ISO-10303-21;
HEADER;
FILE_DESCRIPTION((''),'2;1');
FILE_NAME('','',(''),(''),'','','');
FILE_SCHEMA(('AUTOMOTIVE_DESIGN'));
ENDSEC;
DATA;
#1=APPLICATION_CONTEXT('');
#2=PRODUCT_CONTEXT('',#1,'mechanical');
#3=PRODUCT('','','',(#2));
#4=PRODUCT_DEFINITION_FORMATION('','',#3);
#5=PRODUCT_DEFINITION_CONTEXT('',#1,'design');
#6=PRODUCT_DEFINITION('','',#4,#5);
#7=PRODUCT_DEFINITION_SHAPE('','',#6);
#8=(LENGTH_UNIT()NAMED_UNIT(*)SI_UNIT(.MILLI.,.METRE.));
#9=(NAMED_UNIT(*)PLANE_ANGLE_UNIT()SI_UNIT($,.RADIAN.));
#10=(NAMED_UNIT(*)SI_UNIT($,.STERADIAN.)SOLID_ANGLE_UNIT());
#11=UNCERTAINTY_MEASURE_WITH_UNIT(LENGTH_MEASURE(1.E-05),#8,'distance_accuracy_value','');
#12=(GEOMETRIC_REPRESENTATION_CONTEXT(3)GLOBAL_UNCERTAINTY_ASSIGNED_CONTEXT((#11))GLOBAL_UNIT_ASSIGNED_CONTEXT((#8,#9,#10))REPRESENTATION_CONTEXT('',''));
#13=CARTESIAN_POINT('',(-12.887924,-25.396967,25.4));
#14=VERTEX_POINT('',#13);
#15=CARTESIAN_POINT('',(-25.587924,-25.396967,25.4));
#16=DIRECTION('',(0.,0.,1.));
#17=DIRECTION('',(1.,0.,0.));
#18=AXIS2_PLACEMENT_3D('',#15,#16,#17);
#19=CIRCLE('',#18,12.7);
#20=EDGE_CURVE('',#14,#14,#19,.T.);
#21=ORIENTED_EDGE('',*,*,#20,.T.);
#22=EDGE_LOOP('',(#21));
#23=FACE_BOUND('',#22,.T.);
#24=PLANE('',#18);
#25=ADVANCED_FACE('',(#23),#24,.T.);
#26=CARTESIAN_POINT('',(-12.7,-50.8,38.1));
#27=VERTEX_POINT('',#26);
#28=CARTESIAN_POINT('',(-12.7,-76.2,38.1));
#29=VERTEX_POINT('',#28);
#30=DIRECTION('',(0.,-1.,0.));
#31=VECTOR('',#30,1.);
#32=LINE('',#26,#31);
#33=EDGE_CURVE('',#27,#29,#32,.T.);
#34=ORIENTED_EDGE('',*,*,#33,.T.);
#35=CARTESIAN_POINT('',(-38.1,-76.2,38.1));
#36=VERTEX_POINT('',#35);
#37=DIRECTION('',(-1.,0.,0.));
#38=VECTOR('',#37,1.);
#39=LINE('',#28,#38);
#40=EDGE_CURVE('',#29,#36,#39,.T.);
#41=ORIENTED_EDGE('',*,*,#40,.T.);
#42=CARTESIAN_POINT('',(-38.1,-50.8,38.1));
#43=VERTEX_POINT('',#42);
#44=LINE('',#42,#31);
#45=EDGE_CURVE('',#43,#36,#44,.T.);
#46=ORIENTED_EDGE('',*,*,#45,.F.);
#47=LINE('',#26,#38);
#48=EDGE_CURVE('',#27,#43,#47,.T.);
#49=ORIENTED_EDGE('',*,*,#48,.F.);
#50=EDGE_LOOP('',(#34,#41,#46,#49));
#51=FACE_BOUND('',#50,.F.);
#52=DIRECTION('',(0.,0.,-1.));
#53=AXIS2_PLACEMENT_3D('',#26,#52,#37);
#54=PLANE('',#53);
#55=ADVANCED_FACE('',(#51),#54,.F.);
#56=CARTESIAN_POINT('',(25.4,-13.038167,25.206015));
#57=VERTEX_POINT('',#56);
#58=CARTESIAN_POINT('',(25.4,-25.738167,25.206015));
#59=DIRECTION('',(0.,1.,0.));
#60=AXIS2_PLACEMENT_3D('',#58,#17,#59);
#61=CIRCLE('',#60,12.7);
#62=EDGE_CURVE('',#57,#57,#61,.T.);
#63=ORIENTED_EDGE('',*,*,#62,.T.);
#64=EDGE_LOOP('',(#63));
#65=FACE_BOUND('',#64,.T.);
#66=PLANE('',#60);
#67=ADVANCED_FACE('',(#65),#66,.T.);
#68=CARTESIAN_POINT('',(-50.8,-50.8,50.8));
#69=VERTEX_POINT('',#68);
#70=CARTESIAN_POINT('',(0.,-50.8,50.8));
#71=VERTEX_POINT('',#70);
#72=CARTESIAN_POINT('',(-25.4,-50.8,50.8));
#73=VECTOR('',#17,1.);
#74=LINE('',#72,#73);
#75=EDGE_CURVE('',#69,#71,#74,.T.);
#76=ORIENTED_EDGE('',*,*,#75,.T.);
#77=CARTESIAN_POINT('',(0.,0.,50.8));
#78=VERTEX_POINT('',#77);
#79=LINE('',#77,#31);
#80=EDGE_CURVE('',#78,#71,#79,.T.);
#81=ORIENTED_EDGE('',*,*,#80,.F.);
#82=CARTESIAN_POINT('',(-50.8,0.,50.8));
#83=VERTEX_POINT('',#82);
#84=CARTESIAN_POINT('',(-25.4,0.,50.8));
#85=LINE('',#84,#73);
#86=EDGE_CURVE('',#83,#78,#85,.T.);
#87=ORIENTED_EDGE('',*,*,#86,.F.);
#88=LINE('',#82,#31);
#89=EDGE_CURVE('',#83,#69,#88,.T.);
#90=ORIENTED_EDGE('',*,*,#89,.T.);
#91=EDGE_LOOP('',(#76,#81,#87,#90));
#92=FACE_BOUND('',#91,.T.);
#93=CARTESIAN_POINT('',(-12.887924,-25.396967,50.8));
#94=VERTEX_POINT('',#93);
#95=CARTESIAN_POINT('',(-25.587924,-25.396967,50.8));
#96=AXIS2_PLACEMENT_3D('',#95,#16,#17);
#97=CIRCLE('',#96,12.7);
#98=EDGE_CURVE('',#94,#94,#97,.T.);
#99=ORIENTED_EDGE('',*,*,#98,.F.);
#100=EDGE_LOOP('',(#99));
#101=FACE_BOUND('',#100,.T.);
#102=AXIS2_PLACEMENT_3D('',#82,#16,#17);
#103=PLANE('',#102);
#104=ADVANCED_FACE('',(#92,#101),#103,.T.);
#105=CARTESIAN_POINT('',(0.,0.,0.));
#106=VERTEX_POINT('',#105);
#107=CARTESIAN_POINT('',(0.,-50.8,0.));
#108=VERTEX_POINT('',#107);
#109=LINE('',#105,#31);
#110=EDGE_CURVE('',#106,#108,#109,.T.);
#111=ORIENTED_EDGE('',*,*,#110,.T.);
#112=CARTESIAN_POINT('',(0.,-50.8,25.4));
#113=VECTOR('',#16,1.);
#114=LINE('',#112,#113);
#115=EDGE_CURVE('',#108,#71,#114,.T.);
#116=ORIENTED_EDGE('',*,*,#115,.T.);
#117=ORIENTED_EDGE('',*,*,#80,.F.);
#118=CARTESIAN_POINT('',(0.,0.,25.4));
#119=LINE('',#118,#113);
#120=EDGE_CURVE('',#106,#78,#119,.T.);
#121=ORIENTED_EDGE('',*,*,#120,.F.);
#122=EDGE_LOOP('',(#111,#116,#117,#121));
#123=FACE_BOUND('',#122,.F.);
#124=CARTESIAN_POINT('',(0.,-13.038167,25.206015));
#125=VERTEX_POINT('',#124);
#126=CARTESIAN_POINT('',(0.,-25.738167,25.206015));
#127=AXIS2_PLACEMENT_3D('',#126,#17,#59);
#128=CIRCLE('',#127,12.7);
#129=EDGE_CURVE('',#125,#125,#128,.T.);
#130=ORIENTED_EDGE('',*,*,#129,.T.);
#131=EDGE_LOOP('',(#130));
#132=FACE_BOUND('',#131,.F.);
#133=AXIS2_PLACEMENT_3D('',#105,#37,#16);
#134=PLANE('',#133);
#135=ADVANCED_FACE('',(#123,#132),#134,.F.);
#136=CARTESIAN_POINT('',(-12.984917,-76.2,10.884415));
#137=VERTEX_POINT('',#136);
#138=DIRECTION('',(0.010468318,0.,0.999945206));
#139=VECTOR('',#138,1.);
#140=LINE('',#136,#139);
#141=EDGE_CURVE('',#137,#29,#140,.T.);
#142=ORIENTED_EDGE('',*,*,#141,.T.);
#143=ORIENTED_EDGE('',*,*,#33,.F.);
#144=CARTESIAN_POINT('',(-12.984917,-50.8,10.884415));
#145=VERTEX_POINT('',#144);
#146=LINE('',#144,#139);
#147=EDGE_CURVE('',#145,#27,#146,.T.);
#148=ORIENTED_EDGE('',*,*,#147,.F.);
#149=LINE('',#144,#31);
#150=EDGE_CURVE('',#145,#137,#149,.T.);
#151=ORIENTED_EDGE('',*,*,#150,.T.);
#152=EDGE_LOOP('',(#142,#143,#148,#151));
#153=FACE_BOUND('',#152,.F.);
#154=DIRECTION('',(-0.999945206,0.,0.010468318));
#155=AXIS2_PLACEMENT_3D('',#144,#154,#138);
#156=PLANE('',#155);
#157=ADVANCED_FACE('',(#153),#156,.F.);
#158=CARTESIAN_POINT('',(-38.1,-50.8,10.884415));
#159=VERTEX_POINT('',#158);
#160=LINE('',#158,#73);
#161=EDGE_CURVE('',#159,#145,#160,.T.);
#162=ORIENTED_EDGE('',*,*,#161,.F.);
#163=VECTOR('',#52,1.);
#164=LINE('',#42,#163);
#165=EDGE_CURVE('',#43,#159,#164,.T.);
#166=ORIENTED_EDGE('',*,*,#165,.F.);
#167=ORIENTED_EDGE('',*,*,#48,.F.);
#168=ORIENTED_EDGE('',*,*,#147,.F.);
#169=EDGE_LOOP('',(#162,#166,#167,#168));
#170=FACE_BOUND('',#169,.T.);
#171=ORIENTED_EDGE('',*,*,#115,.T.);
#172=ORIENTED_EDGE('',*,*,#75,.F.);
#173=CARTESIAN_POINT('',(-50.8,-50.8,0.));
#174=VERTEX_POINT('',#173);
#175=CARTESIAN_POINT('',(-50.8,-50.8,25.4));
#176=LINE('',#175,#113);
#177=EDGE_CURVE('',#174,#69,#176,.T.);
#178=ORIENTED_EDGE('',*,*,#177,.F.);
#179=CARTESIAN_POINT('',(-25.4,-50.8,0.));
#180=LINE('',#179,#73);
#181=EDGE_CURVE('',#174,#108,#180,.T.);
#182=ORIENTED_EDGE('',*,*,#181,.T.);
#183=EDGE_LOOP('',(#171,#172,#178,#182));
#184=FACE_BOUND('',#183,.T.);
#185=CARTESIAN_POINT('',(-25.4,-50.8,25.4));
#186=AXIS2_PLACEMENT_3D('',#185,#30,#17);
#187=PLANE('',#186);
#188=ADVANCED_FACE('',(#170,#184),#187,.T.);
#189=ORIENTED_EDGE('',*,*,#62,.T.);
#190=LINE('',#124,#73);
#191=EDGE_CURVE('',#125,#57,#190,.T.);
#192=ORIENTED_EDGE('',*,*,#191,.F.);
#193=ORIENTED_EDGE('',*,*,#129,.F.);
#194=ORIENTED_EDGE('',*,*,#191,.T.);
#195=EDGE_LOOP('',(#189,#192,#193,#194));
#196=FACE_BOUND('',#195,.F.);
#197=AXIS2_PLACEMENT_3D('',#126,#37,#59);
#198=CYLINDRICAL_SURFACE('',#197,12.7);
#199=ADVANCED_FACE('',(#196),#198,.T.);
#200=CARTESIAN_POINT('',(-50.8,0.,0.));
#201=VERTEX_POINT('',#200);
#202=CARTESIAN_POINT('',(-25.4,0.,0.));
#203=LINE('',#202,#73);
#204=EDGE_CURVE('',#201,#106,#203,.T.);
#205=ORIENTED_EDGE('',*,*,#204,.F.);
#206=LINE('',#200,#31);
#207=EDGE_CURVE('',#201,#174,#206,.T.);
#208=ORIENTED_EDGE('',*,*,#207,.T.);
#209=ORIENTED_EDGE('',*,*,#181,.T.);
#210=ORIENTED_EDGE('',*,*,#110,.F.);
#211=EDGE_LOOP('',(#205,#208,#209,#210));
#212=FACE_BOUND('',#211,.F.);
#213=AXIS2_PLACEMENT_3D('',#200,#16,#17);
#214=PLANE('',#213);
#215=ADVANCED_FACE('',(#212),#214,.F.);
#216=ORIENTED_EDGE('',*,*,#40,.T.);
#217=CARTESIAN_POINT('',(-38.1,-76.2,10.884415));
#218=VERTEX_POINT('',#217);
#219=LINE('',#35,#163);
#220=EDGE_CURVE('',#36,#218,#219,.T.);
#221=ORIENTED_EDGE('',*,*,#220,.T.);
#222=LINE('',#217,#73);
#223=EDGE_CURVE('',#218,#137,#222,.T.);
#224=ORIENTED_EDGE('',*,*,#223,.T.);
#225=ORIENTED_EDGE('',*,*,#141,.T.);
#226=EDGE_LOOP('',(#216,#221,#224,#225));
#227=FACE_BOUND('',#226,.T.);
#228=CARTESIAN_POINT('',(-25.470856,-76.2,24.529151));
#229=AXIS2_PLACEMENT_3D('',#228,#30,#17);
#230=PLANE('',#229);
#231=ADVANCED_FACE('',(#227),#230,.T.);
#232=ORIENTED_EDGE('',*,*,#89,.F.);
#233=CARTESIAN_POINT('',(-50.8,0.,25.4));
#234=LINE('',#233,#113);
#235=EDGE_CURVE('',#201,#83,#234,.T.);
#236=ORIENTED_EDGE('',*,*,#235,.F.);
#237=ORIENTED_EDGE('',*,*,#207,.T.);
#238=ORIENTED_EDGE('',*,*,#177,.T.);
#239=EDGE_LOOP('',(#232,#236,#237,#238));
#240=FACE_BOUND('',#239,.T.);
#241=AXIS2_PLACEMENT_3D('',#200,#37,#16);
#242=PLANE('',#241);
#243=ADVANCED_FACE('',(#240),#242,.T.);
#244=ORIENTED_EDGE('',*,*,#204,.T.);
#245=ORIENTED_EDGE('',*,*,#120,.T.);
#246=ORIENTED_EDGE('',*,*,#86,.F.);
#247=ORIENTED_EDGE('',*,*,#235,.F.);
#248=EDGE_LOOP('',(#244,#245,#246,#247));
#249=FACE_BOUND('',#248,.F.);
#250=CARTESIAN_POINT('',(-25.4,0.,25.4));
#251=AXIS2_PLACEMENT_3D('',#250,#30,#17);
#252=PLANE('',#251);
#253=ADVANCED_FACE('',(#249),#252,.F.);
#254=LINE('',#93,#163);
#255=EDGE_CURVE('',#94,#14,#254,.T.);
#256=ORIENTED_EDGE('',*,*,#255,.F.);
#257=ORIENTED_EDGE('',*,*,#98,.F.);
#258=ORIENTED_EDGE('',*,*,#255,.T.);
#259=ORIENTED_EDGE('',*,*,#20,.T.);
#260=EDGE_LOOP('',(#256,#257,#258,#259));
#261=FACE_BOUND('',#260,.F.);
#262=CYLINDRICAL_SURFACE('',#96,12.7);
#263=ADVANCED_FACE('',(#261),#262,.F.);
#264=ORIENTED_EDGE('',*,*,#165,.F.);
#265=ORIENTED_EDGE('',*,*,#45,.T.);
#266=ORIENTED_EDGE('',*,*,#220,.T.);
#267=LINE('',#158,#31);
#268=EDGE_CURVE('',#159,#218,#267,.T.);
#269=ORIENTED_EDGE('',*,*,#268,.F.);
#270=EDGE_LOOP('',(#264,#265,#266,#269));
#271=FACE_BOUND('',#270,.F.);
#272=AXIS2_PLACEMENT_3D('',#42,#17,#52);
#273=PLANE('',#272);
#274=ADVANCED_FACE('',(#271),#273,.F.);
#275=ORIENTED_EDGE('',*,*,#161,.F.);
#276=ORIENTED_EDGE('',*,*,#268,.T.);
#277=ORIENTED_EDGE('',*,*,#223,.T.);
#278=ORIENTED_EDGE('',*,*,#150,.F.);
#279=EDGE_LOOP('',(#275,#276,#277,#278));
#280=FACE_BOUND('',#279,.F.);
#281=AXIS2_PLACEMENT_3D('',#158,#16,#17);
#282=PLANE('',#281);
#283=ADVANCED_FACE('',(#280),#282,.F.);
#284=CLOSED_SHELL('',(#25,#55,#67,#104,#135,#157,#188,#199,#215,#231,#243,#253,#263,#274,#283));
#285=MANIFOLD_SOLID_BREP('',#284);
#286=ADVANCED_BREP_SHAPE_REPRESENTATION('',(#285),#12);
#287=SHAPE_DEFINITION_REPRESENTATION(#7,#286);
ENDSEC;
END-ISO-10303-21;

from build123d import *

# Parameters (mm, degrees)
F0_W     = 50.8
F0_H     = 50.8
F1_DEPTH = 50.8
F3_DEPTH = 25.4
F4_R     = 12.7
F5_DEPTH = 25.4
F6_R     = 12.7
F7_DEPTH = 25.4


with BuildPart() as f1:
    # F0 (on Front) → F1 (new body)
    with BuildSketch(Plane.XZ):
        with Locations((-25.4, 25.4)):
            Rectangle(F0_W, F0_H)
    extrude(amount=F1_DEPTH)

    # F2 (on face) → F3 (join)
    with BuildSketch(Plane.XZ.offset(50.8)):
        Polygon((-12.7, 38.1), (-38.1, 38.1), (-38.1, 10.884415), (-12.984917, 10.884415), align=None)
    extrude(amount=F3_DEPTH)

    # F4 (on face) → F5 (join)
    with BuildSketch(Plane.YZ):
        with Locations((-25.738167, 25.206015)):
            Circle(F4_R)
    extrude(amount=F5_DEPTH)

    # F6 (on face) → F7 (cut)
    with BuildSketch(Plane.XY.offset(50.8)):
        with Locations((-25.587924, -25.396967)):
            Circle(F6_R)
    extrude(amount=-F7_DEPTH, mode=Mode.SUBTRACT)


solid = f1.part
